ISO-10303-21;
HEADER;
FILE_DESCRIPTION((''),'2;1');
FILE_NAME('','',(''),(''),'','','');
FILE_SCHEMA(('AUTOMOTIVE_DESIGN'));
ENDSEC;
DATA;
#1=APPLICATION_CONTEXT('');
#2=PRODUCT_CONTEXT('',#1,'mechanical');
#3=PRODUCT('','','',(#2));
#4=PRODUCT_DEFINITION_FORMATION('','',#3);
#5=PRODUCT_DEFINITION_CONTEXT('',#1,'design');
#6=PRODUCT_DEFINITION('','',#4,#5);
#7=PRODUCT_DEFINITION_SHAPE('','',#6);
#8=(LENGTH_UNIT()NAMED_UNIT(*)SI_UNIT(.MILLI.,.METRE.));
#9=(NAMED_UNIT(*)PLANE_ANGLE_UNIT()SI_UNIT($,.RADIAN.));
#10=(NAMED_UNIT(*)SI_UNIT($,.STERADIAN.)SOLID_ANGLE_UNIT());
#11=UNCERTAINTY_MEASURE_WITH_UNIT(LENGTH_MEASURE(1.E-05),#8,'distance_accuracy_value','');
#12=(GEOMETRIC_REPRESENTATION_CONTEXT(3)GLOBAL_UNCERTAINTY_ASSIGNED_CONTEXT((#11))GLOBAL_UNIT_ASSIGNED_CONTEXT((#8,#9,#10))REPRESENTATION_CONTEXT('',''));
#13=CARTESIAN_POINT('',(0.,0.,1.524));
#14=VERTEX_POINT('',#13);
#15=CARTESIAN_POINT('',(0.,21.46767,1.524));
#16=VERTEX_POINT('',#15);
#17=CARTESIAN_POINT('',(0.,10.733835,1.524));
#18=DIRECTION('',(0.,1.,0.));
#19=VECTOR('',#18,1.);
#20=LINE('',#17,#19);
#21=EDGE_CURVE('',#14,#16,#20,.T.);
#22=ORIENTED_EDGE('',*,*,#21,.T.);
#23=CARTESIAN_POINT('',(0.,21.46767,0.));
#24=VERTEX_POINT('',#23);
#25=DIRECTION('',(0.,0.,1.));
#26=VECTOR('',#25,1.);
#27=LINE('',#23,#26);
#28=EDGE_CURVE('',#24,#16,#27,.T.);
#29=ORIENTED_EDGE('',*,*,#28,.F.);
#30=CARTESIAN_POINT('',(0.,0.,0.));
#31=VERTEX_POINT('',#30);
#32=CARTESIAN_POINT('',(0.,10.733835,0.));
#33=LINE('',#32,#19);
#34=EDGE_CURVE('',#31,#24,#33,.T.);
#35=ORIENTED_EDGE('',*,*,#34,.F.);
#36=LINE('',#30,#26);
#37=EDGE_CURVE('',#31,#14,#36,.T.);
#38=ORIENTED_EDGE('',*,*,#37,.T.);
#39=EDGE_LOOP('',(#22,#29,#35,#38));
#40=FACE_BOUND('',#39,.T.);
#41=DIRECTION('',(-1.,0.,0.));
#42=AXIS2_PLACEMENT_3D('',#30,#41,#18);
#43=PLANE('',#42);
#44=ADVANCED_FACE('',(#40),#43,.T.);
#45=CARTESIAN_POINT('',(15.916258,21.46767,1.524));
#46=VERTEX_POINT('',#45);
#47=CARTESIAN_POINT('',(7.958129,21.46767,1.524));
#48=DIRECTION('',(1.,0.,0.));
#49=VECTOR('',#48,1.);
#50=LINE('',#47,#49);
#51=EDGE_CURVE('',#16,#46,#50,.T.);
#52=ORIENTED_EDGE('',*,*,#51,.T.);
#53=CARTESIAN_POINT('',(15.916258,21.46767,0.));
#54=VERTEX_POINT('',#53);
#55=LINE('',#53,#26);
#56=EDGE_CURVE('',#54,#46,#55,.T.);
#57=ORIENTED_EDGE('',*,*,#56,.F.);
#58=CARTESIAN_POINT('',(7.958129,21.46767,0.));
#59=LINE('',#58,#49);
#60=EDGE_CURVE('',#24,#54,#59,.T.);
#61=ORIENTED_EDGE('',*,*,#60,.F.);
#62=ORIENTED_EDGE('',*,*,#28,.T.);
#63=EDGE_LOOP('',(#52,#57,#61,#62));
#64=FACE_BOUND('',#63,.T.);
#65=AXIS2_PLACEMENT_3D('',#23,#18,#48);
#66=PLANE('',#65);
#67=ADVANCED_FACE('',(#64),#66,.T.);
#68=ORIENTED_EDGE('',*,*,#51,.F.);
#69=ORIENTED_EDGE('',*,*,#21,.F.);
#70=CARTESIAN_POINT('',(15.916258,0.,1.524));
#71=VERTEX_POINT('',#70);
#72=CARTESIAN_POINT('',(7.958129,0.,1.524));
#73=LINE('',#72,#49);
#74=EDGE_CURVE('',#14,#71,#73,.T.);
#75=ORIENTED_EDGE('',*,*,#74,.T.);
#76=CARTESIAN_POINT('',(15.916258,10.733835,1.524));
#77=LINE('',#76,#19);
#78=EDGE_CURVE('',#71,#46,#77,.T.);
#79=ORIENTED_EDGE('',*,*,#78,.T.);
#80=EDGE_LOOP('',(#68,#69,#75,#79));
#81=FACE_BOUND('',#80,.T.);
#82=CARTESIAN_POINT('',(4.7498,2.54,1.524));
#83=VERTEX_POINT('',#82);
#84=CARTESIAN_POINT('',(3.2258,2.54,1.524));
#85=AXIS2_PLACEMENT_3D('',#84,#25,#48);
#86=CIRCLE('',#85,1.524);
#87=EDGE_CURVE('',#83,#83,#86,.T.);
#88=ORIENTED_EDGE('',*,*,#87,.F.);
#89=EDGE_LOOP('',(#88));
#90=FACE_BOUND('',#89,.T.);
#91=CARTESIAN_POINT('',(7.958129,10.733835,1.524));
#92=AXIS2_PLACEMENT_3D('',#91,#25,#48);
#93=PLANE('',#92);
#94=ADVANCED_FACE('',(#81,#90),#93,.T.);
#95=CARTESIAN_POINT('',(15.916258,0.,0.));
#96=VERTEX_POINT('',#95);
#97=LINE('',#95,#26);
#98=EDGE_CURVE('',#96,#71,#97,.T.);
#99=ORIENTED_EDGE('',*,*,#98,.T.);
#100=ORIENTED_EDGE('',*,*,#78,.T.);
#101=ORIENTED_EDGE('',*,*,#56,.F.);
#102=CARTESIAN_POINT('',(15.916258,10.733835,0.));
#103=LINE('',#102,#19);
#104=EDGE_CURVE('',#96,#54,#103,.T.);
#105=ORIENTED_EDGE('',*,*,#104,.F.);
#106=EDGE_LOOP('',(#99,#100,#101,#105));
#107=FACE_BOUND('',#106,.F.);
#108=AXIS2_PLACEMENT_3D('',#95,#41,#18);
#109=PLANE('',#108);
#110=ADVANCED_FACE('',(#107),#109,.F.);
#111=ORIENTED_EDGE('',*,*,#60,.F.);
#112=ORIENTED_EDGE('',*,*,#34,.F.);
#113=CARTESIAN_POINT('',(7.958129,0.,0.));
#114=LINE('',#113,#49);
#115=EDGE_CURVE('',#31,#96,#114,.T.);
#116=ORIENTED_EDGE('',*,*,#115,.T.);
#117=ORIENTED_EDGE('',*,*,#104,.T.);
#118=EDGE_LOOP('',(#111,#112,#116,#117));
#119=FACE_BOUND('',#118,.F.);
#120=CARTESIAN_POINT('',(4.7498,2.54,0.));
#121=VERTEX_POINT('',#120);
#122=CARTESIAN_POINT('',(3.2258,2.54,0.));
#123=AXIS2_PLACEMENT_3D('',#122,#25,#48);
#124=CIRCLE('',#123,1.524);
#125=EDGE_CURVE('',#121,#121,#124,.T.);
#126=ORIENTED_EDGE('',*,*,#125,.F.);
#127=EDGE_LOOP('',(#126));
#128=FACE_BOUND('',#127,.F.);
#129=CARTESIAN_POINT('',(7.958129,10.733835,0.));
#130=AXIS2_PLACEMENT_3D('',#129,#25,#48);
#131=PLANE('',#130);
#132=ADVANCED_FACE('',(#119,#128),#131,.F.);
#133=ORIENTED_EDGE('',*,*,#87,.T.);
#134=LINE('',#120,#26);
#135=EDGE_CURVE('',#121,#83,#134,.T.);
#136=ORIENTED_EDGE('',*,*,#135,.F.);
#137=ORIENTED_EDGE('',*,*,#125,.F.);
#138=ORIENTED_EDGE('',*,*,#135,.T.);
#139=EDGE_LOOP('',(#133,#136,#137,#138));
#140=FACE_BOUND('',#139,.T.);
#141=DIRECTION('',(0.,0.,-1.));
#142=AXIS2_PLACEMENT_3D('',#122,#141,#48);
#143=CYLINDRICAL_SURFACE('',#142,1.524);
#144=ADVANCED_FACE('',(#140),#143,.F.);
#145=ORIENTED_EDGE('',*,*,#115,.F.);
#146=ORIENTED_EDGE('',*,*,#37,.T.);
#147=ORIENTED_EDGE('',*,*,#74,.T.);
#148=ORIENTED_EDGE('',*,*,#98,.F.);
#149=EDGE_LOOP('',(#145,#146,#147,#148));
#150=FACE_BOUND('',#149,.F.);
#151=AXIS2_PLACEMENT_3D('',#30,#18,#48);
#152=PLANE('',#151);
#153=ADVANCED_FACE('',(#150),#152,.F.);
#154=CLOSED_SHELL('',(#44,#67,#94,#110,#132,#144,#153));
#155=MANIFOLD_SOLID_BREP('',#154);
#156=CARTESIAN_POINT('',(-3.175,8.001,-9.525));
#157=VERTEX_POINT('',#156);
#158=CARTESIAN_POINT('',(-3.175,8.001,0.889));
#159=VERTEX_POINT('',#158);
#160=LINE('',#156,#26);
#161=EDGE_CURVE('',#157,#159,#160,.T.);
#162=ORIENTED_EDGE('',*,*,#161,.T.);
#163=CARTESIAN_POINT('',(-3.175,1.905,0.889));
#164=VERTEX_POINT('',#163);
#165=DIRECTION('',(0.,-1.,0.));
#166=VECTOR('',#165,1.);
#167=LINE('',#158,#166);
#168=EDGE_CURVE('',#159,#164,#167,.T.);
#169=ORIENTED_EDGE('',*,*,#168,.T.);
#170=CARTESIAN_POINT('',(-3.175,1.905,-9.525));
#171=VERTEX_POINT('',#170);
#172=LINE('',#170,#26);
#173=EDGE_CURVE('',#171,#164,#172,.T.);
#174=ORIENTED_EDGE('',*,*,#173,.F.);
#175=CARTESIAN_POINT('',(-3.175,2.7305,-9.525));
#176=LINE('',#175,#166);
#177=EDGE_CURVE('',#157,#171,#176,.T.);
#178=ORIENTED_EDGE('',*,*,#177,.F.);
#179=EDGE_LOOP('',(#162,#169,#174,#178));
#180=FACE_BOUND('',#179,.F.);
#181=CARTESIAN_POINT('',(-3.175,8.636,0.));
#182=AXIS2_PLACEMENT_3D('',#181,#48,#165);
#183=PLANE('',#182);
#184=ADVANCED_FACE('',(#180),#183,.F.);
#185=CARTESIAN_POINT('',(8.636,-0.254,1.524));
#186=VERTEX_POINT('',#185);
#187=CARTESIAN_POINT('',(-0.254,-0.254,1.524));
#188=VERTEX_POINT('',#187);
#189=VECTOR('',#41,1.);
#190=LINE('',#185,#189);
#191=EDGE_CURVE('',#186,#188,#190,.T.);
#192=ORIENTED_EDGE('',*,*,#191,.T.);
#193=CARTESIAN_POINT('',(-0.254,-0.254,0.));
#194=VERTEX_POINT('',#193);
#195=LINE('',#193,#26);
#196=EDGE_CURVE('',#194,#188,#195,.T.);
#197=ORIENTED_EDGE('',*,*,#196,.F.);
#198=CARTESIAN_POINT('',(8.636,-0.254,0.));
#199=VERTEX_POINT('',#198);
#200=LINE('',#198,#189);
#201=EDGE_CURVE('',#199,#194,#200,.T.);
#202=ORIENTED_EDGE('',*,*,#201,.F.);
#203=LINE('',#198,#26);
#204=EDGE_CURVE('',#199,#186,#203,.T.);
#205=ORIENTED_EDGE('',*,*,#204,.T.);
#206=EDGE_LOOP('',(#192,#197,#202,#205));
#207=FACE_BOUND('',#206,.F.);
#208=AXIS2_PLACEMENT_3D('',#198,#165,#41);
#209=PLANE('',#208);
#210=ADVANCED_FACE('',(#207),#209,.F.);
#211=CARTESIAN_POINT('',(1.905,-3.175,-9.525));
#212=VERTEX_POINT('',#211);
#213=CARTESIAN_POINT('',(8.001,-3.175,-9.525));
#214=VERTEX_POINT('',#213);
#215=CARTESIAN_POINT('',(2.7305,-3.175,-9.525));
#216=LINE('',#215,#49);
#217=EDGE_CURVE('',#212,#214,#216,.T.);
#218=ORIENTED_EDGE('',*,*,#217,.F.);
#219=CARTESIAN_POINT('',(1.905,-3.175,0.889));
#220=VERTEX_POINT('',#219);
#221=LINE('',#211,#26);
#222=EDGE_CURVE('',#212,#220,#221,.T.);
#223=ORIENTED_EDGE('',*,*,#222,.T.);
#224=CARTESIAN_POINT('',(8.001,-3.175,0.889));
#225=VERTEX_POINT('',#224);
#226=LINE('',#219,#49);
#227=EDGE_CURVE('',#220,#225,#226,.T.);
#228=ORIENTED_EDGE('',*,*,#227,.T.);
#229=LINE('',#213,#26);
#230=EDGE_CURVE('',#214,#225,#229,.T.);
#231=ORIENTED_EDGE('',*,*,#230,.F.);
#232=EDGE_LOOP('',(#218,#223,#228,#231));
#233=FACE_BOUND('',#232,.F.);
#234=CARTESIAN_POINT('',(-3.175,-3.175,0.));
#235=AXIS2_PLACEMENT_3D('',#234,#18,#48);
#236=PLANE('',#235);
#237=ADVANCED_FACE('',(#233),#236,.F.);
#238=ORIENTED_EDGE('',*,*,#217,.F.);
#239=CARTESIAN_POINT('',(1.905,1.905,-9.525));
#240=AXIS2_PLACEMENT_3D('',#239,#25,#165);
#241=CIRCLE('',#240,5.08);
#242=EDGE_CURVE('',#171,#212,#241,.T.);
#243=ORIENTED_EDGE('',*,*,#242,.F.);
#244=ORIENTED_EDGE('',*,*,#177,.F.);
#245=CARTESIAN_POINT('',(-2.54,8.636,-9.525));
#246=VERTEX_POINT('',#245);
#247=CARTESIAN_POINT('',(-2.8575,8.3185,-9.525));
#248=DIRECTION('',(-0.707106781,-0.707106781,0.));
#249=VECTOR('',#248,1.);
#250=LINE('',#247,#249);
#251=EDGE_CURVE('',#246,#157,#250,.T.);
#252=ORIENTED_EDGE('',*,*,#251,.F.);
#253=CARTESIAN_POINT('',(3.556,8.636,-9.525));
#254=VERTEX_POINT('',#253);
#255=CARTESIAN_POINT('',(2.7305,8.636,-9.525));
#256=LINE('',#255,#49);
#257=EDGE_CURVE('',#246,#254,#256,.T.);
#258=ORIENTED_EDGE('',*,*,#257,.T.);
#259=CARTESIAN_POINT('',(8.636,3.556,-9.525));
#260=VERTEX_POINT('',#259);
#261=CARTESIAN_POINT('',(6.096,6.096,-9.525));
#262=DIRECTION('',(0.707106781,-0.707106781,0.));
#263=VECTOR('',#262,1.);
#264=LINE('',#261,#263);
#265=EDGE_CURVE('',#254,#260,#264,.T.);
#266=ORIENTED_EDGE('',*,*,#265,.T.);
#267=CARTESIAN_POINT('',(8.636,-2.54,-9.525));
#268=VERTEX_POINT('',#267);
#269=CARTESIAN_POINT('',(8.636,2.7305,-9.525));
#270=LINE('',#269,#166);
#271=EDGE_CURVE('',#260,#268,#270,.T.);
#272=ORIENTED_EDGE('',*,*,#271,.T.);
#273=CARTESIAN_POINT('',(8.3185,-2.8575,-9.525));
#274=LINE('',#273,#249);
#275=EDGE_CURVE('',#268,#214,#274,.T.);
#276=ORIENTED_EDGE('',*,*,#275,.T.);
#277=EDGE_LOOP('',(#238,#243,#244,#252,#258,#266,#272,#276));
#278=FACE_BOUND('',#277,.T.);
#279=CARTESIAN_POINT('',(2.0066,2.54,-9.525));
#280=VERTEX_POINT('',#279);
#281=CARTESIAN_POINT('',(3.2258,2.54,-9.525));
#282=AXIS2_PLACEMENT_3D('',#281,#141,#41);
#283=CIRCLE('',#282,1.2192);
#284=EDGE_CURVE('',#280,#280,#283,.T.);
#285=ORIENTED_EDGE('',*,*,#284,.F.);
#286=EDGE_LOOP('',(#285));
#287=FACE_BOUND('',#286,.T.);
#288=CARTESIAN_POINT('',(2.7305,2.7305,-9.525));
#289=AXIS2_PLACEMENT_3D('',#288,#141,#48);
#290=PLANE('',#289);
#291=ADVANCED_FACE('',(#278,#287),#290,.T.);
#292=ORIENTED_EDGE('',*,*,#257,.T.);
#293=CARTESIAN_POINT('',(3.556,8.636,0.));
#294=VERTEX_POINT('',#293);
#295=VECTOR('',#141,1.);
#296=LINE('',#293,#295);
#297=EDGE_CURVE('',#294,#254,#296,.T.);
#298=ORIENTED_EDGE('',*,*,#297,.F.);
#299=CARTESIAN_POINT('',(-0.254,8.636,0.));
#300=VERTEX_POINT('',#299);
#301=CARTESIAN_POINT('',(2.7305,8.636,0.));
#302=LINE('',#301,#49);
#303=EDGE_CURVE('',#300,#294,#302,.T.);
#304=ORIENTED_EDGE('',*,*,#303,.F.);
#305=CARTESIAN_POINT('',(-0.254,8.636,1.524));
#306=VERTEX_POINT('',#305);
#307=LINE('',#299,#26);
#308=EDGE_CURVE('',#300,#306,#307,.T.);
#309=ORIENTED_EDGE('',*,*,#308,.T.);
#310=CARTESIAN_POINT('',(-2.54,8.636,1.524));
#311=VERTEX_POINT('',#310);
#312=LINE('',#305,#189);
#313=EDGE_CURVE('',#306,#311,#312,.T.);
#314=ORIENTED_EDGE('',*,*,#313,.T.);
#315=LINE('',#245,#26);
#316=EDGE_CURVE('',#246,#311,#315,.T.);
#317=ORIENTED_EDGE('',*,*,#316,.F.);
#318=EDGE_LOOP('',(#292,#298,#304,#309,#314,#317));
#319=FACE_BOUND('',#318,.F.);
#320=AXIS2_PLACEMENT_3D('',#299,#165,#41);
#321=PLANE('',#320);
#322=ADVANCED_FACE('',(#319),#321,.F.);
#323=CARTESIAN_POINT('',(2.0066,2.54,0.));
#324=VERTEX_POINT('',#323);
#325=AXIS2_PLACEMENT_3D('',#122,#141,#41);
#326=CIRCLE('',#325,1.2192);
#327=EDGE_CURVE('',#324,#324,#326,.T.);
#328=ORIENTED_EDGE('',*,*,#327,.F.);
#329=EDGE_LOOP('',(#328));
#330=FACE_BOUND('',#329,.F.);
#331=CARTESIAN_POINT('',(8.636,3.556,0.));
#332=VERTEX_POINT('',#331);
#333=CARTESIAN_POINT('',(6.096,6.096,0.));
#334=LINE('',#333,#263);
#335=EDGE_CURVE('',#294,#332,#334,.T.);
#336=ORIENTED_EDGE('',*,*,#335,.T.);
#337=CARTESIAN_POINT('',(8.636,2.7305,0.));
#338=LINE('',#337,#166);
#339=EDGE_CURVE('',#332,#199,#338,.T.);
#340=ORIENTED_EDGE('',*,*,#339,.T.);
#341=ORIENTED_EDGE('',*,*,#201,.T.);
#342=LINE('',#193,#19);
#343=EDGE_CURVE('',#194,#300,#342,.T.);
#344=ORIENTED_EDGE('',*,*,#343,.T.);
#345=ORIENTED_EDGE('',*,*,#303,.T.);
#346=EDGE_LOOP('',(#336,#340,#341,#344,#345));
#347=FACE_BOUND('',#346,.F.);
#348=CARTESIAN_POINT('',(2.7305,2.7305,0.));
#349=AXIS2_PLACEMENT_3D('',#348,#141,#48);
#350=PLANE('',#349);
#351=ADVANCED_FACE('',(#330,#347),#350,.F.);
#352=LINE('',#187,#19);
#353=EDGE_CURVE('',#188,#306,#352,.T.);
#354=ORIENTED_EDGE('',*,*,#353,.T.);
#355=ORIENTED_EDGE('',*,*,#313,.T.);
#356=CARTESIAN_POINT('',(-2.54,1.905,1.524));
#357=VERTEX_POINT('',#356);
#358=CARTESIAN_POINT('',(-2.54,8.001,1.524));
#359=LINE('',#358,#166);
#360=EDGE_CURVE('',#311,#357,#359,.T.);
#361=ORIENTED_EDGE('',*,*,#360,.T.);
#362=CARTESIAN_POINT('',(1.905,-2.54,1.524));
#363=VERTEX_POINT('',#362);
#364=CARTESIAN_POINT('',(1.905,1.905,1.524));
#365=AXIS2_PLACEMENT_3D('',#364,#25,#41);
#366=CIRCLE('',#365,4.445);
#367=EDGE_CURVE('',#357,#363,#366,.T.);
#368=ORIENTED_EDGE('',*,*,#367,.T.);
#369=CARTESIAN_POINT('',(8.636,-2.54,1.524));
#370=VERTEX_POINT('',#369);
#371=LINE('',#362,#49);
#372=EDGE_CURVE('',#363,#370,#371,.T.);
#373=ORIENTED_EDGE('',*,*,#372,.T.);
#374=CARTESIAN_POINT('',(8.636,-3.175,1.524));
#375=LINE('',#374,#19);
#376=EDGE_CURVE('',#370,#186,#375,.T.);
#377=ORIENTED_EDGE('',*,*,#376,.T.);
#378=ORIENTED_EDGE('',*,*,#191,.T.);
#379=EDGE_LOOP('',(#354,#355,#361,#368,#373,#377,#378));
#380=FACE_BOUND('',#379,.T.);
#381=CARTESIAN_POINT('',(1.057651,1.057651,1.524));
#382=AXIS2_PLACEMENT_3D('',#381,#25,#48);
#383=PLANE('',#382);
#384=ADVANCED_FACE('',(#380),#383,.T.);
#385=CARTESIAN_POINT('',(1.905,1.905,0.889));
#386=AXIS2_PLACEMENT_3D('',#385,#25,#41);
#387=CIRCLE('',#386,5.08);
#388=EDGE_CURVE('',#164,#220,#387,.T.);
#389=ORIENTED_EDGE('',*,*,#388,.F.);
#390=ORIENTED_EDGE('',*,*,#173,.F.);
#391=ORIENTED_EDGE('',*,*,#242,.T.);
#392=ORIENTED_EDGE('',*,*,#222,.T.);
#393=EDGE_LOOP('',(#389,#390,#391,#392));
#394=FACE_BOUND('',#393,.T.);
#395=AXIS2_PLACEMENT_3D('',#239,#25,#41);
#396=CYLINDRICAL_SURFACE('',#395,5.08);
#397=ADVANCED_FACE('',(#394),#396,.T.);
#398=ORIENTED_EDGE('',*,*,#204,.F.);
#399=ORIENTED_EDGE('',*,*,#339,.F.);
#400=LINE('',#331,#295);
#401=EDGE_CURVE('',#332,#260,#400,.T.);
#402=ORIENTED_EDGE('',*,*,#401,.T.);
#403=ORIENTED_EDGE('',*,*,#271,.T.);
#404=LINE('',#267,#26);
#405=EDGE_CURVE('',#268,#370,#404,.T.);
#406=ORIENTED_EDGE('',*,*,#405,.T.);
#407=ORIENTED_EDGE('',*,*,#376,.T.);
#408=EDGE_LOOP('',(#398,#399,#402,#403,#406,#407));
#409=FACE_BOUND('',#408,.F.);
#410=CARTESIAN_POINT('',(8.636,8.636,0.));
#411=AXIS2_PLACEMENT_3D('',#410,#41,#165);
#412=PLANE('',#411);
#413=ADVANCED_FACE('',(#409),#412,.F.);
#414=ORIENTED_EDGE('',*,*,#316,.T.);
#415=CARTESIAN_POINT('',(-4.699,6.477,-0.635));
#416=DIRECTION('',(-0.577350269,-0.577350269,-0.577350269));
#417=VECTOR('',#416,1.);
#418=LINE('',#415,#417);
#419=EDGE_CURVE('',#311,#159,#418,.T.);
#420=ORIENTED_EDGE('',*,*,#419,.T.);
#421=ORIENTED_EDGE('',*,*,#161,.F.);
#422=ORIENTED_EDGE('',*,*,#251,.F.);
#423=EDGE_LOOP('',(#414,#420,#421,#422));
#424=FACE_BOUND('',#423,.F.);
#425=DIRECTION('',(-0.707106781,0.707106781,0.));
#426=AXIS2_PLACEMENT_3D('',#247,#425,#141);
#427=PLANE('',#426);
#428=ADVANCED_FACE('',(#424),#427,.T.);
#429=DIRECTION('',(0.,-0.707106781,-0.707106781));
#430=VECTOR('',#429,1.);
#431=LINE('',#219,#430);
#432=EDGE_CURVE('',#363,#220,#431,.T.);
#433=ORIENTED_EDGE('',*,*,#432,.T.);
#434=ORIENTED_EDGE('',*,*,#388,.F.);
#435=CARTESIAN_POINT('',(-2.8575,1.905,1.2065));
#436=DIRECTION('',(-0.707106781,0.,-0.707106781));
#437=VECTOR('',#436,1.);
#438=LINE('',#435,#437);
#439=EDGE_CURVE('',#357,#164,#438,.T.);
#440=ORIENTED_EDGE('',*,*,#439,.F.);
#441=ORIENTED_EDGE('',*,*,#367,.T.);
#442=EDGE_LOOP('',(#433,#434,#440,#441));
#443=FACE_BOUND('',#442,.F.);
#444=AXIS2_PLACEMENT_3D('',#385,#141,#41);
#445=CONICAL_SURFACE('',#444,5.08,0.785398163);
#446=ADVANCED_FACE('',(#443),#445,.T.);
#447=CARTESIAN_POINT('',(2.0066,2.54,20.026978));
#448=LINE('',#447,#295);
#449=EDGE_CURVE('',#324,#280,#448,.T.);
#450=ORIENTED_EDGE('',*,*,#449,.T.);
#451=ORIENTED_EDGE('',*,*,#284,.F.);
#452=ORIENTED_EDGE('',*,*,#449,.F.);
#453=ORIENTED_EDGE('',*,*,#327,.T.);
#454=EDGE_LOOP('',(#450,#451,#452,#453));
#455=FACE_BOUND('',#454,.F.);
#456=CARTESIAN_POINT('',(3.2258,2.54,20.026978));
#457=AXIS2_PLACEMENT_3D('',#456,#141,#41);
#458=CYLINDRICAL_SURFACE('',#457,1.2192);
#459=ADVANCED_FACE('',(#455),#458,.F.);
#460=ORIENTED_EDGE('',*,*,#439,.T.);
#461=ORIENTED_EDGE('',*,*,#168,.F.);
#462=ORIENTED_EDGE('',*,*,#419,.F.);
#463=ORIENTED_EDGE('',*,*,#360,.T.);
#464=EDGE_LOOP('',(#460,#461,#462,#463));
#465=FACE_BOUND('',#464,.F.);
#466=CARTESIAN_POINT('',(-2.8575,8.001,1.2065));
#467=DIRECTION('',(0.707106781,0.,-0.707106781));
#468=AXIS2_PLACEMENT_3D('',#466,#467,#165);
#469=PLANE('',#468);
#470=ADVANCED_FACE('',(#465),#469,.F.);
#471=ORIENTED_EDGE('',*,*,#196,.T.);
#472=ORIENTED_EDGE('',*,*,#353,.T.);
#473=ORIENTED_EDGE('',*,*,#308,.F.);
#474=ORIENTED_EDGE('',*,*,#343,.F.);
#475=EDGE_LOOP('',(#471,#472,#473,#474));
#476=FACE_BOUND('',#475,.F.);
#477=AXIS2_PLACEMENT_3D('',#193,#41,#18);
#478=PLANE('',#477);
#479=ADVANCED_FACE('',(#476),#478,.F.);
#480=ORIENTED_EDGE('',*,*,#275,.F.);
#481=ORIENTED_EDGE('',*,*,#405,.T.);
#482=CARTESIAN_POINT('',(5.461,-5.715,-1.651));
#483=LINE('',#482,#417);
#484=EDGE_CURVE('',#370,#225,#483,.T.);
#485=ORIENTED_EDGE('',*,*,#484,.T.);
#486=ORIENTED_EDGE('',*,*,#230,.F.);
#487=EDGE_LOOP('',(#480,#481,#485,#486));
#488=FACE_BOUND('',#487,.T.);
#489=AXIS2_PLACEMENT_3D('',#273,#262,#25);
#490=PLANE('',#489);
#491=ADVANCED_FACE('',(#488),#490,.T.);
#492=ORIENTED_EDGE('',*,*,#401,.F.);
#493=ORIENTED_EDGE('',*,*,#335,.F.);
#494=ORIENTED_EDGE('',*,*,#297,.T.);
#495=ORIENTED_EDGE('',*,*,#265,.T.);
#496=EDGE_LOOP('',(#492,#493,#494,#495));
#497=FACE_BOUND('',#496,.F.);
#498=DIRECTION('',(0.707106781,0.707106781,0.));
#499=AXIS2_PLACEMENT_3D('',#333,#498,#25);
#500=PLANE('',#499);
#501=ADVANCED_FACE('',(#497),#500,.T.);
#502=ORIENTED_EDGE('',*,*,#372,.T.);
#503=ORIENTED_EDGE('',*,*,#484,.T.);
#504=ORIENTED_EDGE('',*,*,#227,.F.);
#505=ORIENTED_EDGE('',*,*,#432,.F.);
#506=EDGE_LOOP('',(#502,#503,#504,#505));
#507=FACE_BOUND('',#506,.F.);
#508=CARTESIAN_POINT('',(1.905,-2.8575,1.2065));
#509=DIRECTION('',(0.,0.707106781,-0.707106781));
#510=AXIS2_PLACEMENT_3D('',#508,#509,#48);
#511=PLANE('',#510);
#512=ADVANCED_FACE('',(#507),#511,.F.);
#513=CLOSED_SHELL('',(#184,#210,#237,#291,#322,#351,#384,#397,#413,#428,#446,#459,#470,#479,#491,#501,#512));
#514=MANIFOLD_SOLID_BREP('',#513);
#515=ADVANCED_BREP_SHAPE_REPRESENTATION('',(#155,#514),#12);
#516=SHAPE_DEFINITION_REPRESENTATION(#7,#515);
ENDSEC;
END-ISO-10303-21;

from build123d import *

# Parameters (mm, degrees)
F0_W     = 15.9162582783
F0_H     = 21.4676701395
F0_R     = 1.524
F1_DEPTH = 1.524
F2_W     = 11.811
F2_H     = 11.811
F3_DEPTH = 9.525
F5_DEPTH = 1.524
F7_D     = 2.4384
F8_R     = 5.08
F9_SIZE  = 5.08
F10_SIZE = 0.635
F11_SIZE = 0.635


with BuildPart() as f1:
    # F0 (on Top) → F1 (new body)
    with BuildSketch(Plane.XY):
        with Locations((7.9581291392, 10.7338350698)):
            Rectangle(F0_W, F0_H)
        with Locations((3.2258, 2.54)):
            Circle(F0_R, mode=Mode.SUBTRACT)
    extrude(amount=F1_DEPTH)


with BuildPart() as f3:
    # F2 (on face) → F3 (new body)
    with BuildSketch(Plane(origin=(0, 0, 0), x_dir=(1, 0, 0), z_dir=(0, 0, -1))):
        with Locations((2.7305, -2.7305)):
            Rectangle(F2_W, F2_H)
    extrude(amount=F3_DEPTH)

    # F4 (on face) → F5 (join)
    with BuildSketch(Plane.XY):
        Polygon((-0.254, 8.636), (-3.175, 8.636), (-3.175, -3.175), (8.636, -3.175), (8.636, -0.254), (-0.254, -0.254), align=None)
    extrude(amount=F5_DEPTH)

    # F7 (through all)
    with Locations(Plane.XY):
        with Locations((3.2258, 2.54)):
            Hole(F7_D / 2)

    # F8
    f8_edges = [f3.edges().sort_by_distance(p)[0] for p in [
        (-3.175, -3.175, -4.0005),
    ]]
    fillet(f8_edges, radius=F8_R)

    # F9
    f9_edges = [f3.edges().sort_by_distance(p)[0] for p in [
        (8.636, 8.636, -4.7625),
    ]]
    chamfer(f9_edges, length=F9_SIZE)

    # F10
    f10_edges = [f3.edges().sort_by_distance(p)[0] for p in [
        (8.636, -3.175, -4.0005),
        (-3.175, 8.636, -4.0005),
    ]]
    chamfer(f10_edges, length=F10_SIZE)

    # F11
    f11_edges = [f3.edges().sort_by_distance(p)[0] for p in [
        (4.953, -3.175, 1.524),
        (-1.687102, -1.687102, 1.524),
        (-3.175, 4.953, 1.524),
    ]]
    chamfer(f11_edges, length=F11_SIZE)


solid = Compound([f1.part, f3.part])
